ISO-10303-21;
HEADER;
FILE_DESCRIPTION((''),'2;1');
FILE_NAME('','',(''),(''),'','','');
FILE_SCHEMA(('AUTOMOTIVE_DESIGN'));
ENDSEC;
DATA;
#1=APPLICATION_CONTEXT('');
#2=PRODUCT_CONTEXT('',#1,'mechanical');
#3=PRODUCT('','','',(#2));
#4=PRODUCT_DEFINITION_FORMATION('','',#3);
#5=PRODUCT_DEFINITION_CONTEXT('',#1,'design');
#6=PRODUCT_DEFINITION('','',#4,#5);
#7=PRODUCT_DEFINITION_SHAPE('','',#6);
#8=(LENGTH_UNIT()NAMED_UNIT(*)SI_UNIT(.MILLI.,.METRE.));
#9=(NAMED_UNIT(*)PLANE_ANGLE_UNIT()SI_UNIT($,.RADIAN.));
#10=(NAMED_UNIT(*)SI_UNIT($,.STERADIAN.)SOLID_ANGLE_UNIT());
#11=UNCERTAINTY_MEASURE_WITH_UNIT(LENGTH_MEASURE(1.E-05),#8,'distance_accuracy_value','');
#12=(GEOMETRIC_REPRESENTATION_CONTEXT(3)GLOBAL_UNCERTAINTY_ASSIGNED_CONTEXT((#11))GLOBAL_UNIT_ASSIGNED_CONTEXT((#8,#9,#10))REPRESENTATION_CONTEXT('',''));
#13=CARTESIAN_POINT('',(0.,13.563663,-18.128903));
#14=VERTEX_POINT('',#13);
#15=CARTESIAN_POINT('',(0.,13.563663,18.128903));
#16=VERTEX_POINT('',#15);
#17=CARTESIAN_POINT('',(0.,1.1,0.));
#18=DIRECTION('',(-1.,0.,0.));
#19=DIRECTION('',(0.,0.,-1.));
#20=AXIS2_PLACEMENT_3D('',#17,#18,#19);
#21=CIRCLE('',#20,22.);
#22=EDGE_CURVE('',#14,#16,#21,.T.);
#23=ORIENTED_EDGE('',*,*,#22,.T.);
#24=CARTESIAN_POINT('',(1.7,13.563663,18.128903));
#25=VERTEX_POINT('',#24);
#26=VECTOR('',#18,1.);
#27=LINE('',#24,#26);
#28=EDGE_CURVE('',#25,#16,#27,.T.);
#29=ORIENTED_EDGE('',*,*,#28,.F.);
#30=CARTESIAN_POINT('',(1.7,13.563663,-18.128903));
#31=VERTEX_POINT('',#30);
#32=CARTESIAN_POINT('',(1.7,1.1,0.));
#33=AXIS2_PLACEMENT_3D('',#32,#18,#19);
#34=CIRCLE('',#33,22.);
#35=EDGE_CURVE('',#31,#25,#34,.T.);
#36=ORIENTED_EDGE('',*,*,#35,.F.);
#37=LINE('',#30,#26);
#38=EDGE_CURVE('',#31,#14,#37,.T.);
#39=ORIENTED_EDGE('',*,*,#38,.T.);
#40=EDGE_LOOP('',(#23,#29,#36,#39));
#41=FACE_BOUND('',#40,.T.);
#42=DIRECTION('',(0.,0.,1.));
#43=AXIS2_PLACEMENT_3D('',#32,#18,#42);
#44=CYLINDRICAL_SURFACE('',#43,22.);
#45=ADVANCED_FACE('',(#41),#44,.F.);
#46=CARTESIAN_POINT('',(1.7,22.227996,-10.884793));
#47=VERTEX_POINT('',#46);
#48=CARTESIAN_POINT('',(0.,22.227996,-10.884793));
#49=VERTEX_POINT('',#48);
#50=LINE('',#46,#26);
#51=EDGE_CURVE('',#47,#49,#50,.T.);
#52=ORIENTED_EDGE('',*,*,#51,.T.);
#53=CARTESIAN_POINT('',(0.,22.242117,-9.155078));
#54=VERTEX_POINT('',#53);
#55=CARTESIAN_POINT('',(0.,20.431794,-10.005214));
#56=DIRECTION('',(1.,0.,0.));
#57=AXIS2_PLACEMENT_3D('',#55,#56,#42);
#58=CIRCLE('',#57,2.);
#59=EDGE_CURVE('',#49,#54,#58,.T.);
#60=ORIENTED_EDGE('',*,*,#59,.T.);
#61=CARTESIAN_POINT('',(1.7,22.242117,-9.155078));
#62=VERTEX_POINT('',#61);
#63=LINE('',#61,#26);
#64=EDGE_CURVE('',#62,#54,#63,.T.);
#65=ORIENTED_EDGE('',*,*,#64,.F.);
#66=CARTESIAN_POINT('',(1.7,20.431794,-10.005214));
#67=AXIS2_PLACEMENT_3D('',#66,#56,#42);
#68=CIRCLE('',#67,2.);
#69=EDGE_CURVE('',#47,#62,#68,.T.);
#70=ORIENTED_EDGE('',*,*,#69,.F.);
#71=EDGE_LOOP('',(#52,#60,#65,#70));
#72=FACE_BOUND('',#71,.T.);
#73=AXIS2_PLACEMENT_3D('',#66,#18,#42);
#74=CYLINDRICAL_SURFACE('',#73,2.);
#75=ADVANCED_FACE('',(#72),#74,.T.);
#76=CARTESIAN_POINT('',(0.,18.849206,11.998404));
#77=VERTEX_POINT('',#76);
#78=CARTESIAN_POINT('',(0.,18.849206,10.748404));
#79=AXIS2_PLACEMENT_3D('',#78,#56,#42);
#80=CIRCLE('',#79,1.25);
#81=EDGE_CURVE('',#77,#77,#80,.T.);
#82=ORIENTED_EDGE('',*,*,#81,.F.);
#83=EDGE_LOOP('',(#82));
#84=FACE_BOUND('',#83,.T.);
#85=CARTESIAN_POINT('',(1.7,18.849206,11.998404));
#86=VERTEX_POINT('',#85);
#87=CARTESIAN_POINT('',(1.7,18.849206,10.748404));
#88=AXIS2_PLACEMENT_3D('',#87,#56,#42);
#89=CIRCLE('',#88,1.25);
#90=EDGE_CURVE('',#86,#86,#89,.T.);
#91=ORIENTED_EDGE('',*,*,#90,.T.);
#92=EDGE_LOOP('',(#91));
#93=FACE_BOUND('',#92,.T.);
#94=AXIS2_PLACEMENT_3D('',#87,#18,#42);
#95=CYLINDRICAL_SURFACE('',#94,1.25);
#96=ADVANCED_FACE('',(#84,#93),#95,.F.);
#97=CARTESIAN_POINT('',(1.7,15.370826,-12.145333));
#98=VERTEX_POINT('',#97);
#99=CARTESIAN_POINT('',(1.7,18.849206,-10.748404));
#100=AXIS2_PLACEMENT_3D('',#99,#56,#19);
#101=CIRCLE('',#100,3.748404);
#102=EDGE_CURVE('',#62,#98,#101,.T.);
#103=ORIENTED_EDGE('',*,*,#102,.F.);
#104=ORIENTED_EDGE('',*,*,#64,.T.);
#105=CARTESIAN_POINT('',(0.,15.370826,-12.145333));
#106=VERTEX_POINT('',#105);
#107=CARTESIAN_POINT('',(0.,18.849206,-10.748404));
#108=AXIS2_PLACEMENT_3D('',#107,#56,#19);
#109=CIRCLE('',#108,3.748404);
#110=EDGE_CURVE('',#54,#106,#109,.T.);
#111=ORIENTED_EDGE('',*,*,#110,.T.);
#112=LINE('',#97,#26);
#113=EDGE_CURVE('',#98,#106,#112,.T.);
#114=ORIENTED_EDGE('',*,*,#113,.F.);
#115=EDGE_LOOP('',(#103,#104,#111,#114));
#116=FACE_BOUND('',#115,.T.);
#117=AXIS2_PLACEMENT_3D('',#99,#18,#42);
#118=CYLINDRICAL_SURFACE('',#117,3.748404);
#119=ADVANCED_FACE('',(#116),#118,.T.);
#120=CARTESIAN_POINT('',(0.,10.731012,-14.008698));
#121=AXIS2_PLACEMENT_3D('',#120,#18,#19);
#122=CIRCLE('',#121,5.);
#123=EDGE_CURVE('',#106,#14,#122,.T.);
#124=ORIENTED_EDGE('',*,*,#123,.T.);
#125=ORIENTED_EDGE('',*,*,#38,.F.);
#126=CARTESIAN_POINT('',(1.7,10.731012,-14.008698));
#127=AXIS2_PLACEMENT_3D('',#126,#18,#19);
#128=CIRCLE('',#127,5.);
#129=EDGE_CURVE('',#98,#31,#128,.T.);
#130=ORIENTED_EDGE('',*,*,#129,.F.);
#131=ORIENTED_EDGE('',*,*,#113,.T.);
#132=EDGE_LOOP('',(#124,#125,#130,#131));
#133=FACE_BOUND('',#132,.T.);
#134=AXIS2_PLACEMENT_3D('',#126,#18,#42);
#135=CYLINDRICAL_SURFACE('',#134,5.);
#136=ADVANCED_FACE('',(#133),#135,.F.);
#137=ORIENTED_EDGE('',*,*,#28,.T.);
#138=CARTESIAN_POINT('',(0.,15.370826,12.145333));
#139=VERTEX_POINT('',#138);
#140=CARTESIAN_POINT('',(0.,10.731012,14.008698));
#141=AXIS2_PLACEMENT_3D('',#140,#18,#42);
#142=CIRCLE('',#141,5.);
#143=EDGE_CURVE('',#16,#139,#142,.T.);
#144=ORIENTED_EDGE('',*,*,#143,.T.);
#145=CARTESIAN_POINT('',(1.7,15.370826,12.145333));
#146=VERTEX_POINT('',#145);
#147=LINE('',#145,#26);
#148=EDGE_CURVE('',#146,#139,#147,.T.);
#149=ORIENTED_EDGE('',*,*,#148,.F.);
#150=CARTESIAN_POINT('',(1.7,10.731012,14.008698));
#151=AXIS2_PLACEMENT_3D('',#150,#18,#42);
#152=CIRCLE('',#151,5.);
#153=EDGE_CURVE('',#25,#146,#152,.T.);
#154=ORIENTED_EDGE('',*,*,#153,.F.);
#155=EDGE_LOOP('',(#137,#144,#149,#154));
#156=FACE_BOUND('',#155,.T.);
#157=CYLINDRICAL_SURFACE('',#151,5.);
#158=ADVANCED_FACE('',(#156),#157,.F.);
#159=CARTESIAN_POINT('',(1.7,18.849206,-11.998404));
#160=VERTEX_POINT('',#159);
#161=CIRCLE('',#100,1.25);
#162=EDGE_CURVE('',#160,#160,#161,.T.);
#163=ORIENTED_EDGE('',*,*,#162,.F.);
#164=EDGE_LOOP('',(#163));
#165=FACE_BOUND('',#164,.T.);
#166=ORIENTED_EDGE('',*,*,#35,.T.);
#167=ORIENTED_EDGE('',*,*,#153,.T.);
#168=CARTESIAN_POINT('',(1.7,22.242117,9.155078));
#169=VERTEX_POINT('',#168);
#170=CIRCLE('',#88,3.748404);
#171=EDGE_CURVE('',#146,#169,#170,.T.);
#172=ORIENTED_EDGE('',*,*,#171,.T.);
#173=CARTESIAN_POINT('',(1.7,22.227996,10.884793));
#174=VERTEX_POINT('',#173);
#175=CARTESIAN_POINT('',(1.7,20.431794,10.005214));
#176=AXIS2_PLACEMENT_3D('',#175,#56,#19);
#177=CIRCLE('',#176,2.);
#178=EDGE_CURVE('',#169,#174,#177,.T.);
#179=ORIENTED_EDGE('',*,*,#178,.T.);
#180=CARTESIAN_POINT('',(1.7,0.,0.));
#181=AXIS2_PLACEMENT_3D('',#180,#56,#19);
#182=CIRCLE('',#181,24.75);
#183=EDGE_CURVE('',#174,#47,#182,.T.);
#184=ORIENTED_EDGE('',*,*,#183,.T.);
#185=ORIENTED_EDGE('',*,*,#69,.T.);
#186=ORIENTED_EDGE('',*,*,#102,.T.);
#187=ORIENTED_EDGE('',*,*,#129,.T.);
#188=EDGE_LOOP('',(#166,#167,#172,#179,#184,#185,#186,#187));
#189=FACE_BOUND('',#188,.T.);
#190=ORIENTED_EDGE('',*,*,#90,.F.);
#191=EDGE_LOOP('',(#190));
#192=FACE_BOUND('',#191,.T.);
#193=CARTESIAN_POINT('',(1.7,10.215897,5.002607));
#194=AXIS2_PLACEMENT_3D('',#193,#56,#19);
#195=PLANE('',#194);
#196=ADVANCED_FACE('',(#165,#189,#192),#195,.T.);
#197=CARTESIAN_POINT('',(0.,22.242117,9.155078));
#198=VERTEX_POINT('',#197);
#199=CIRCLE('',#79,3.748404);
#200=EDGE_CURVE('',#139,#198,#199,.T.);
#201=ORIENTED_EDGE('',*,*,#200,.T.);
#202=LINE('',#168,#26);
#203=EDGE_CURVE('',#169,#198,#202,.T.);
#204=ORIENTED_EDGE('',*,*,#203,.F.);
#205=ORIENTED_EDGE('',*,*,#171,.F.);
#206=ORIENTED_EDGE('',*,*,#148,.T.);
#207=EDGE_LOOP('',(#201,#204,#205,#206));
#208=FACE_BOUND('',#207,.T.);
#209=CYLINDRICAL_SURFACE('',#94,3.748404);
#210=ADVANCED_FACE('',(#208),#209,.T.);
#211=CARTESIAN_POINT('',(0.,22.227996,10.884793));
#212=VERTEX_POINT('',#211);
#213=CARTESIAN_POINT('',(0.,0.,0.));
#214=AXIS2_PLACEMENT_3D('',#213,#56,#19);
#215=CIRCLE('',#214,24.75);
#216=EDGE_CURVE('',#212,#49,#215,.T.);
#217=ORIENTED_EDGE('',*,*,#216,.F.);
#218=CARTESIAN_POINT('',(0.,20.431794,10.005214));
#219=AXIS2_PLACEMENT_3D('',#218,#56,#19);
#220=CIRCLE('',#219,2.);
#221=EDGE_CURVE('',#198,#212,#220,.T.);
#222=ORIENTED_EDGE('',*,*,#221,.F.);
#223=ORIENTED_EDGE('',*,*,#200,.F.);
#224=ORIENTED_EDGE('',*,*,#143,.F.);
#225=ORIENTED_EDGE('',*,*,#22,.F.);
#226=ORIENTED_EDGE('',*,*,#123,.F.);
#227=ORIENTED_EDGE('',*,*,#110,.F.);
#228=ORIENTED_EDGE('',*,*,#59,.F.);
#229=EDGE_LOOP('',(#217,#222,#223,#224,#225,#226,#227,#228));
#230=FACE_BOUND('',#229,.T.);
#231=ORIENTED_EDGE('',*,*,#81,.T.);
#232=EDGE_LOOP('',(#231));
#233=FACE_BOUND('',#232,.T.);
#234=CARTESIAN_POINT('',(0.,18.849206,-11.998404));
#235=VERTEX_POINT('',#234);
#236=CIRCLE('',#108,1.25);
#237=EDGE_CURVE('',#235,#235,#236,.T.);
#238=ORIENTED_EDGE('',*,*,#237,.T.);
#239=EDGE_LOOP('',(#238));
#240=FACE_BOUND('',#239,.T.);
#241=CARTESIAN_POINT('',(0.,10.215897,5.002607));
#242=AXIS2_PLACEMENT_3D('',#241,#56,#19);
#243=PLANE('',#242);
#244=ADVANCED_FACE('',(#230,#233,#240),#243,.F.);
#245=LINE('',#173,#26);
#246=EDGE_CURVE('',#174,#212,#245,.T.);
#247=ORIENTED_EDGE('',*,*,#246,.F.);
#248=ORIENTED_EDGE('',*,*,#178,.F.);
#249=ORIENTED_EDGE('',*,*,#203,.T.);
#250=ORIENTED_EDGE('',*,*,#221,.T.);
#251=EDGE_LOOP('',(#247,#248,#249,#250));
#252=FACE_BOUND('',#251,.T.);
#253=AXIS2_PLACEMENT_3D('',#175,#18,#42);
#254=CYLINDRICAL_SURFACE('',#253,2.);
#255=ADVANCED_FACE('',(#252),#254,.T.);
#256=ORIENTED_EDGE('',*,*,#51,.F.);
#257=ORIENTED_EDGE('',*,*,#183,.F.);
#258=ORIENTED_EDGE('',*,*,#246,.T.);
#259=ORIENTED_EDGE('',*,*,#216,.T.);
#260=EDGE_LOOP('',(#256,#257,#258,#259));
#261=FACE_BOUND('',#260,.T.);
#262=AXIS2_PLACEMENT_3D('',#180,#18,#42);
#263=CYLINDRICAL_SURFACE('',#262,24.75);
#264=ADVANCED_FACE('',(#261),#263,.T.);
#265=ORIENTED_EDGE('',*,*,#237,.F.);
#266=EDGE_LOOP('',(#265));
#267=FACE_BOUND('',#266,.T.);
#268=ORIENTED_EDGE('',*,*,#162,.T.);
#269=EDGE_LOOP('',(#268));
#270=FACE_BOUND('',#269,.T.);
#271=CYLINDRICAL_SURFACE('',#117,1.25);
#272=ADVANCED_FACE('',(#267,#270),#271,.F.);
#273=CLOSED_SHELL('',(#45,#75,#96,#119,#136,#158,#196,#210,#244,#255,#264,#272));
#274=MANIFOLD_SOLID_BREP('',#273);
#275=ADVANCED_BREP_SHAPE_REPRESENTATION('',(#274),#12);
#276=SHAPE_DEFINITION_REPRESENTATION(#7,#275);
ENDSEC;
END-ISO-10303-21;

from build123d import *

# Parameters (mm, degrees)
SKETCH_1_R      = 1.25
EXTRUDE_1_DEPTH = 1.7


with BuildPart() as part:
    # Эскиз1 → Бобышка-Вытянуть1 (new body)
    with BuildSketch(Plane(origin=(0, 0, 0), x_dir=(0, 0, -1), z_dir=(1, 0, 0))):
        with BuildLine():
            ThreePointArc((-10.884792801, 22.227995539), (0, -24.75), (10.884792801, 22.227995539))
            ThreePointArc((10.884792801, 22.227995539), (10.021540765, 22.431727234), (9.155077538, 22.242116696))
            ThreePointArc((9.155077538, 22.242116696), (7.311355918, 17.353467341), (12.145333072, 15.370825971))
            ThreePointArc((12.145333072, 15.370825971), (15.454308904, 15.51747296), (18.128902676, 13.563662694))
            ThreePointArc((18.128902676, 13.563662694), (0, -20.9), (-18.128902676, 13.563662694))
            ThreePointArc((-18.128902676, 13.563662694), (-15.454308904, 15.51747296), (-12.145333072, 15.370825971))
            ThreePointArc((-12.145333072, 15.370825971), (-7.311355918, 17.353467341), (-9.155077538, 22.242116696))
            ThreePointArc((-9.155077538, 22.242116696), (-10.021540765, 22.431727234), (-10.884792801, 22.227995539))
        make_face()
        with Locations((10.748404378, 18.84920571)):
            Circle(SKETCH_1_R, mode=Mode.SUBTRACT)
        with Locations((-10.748404378, 18.84920571)):
            Circle(SKETCH_1_R, mode=Mode.SUBTRACT)
    extrude(amount=EXTRUDE_1_DEPTH)


solid = part.part
